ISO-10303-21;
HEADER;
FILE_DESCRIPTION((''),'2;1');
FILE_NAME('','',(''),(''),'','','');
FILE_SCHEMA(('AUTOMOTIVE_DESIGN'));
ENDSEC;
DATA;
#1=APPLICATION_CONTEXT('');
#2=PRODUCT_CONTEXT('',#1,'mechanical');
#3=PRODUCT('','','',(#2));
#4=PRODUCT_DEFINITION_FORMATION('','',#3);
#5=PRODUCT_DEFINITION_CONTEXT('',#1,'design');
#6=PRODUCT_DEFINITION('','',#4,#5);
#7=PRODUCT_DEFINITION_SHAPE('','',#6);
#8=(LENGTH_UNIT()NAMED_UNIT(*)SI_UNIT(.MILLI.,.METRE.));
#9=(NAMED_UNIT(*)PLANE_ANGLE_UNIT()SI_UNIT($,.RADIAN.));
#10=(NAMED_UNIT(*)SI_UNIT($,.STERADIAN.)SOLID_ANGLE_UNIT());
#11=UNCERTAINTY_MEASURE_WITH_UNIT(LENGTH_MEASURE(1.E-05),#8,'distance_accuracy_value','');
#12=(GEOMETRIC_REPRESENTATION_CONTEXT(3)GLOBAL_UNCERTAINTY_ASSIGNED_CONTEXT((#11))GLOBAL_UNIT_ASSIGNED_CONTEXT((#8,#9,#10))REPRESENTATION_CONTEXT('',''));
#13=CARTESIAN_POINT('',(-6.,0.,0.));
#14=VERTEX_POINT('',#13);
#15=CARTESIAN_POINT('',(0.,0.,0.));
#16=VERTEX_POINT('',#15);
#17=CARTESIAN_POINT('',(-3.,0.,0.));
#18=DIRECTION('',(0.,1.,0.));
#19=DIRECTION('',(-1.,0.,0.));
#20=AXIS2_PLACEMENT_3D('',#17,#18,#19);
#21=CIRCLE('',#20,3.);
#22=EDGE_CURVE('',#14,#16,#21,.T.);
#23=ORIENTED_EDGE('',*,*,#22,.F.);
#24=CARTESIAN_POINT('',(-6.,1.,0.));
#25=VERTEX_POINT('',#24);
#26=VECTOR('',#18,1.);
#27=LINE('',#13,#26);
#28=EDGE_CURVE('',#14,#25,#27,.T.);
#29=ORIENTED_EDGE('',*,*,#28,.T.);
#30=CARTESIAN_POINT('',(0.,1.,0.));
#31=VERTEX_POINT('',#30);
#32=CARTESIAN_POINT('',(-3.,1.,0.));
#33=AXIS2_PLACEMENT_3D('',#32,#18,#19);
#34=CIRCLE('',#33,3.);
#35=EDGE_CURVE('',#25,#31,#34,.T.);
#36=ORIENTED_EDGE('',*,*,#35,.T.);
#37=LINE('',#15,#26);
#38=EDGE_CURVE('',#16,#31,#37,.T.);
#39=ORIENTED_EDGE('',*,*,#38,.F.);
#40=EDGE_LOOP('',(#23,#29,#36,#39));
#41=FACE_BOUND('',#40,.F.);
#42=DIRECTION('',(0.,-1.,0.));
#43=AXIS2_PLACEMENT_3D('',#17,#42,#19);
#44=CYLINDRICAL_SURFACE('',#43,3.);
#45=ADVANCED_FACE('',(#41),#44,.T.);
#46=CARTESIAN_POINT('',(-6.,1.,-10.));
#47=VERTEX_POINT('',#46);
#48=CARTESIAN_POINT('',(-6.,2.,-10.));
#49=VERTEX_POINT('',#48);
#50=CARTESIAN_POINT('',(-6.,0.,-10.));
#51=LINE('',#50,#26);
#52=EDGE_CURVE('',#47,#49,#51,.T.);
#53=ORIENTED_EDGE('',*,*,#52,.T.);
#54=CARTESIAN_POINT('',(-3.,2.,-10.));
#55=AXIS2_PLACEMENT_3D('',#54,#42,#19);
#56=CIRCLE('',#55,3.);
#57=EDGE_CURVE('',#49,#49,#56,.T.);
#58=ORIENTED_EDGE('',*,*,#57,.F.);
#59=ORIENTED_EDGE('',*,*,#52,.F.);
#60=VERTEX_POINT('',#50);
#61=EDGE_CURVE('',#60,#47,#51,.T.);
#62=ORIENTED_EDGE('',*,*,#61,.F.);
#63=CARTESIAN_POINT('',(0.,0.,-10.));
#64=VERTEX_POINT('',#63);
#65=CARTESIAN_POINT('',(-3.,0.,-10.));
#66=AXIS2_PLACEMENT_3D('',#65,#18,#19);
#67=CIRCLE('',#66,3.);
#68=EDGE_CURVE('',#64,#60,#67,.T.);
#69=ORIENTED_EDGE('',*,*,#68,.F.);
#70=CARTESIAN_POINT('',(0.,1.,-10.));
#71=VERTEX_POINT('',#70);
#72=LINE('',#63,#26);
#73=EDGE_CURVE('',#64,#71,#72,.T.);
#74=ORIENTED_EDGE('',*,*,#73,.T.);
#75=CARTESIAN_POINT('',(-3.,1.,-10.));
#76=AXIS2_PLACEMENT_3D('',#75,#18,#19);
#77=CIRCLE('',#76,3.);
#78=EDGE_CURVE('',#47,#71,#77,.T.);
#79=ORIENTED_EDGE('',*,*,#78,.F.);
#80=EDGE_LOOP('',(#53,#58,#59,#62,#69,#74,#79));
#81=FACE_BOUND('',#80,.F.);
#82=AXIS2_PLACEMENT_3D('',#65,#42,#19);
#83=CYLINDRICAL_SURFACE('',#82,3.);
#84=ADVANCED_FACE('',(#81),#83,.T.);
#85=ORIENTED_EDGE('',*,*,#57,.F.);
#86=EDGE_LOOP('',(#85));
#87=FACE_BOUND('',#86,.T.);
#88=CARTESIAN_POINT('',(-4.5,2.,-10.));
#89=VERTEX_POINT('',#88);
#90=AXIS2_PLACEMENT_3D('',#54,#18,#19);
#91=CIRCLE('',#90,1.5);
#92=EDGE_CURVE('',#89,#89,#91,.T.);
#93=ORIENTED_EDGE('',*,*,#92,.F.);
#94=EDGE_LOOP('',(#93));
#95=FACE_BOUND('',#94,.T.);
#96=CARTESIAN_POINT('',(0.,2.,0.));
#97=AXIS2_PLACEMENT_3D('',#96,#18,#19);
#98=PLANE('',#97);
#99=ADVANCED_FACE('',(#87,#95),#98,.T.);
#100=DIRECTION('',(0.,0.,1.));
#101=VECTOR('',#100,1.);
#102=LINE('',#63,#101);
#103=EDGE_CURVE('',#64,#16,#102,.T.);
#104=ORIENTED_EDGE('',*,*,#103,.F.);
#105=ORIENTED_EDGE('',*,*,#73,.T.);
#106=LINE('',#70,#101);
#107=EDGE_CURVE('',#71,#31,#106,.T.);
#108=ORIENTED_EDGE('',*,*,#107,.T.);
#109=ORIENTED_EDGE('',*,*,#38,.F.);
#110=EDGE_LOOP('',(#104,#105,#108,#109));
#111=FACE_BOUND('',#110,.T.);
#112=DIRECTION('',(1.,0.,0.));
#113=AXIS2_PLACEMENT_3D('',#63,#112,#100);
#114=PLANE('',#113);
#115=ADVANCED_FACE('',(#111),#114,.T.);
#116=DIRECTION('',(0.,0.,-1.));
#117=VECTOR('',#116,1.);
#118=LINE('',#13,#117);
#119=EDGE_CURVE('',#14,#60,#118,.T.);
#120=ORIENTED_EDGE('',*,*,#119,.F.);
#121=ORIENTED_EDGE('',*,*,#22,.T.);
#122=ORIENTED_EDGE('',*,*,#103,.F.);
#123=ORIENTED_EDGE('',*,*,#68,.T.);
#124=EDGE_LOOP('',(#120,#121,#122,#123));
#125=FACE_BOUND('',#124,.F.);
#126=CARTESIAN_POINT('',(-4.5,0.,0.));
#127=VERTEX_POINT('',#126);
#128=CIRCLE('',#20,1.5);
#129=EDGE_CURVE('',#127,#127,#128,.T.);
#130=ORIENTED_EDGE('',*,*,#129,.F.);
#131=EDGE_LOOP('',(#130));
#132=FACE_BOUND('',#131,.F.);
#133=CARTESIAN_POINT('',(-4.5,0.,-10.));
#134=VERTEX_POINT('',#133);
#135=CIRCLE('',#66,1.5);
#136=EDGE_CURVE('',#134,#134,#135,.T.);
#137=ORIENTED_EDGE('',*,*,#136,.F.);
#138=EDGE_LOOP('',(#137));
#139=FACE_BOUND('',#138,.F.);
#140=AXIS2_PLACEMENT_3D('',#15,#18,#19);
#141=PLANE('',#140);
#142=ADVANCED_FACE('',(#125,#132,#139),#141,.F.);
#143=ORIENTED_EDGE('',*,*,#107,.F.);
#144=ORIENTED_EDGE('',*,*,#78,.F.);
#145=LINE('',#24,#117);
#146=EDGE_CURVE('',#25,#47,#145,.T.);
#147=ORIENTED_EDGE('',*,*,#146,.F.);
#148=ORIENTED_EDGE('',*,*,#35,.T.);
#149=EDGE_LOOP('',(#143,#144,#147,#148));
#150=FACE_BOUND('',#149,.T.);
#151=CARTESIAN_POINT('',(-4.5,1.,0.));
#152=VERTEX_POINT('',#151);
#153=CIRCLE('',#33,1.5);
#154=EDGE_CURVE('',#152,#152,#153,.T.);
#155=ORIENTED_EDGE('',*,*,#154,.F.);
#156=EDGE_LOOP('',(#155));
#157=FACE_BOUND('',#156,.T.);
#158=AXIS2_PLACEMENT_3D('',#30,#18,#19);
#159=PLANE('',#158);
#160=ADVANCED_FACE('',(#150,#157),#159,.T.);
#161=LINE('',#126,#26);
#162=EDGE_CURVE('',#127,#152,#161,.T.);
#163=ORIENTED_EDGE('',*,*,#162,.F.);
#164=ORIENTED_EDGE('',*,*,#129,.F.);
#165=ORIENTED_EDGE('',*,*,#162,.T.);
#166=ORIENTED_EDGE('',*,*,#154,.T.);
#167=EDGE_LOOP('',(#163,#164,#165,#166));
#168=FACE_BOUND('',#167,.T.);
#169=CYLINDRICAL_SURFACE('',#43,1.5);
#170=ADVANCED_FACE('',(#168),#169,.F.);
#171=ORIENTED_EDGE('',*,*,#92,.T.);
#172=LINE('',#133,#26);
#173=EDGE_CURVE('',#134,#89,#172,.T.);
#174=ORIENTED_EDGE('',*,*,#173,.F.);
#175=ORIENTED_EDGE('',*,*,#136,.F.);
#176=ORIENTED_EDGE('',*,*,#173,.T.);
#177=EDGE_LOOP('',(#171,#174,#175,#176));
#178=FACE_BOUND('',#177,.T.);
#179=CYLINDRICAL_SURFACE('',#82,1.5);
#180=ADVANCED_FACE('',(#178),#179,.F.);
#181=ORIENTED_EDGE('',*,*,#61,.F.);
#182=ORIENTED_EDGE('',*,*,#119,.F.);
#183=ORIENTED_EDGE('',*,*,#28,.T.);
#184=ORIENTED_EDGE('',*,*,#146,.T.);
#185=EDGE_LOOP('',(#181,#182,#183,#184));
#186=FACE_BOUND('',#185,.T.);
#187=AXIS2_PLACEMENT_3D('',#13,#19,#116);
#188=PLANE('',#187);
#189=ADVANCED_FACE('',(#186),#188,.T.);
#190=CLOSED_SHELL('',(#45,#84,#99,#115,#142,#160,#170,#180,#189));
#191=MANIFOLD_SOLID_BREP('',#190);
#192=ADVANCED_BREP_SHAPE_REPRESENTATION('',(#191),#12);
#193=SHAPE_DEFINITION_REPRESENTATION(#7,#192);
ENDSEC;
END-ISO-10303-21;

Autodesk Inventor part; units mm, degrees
ref_plane "YZ Plane" through (0, 0, 0) normal (1, 0, 0) x (0, 1, 0)
ref_plane "XZ Plane" through (0, 0, 0) normal (0, 1, 0) x (-1, 0, 0)
ref_plane "XY Plane" through (0, 0, 0) normal (0, 0, 1) x (1, 0, 0)
sketch "Sketch2" plane through (0, 0, 0) normal (0, 1, 0) x (-1, 0, 0)
  circle A0 centre (3, 0) radius 1.5
  circle A1 centre (3, 0) radius 3
  circle A2 centre (3, -10) radius 1.5
  circle A3 centre (3, -10) radius 3
  line L0 (6, 0) -> (6, -10)
  line L1 (0, -10) -> (0, 0)
  dimension "d40" = 6
  dimension "d39" = 3
  dimension "d41" = 3
  dimension "d42" = 6
extrude "Extrusion6" add sketch "Sketch2" along normal blind 1 contours A1 | L0 A3 L1 A1
extrude "Extrusion7" add sketch "Sketch2" along normal blind 2 contours A3
thread "Thread1" size "M3x0.35" class "6H" standard "ANSI Metric M Profile" length 1
properties part number "linkToActuator5"
